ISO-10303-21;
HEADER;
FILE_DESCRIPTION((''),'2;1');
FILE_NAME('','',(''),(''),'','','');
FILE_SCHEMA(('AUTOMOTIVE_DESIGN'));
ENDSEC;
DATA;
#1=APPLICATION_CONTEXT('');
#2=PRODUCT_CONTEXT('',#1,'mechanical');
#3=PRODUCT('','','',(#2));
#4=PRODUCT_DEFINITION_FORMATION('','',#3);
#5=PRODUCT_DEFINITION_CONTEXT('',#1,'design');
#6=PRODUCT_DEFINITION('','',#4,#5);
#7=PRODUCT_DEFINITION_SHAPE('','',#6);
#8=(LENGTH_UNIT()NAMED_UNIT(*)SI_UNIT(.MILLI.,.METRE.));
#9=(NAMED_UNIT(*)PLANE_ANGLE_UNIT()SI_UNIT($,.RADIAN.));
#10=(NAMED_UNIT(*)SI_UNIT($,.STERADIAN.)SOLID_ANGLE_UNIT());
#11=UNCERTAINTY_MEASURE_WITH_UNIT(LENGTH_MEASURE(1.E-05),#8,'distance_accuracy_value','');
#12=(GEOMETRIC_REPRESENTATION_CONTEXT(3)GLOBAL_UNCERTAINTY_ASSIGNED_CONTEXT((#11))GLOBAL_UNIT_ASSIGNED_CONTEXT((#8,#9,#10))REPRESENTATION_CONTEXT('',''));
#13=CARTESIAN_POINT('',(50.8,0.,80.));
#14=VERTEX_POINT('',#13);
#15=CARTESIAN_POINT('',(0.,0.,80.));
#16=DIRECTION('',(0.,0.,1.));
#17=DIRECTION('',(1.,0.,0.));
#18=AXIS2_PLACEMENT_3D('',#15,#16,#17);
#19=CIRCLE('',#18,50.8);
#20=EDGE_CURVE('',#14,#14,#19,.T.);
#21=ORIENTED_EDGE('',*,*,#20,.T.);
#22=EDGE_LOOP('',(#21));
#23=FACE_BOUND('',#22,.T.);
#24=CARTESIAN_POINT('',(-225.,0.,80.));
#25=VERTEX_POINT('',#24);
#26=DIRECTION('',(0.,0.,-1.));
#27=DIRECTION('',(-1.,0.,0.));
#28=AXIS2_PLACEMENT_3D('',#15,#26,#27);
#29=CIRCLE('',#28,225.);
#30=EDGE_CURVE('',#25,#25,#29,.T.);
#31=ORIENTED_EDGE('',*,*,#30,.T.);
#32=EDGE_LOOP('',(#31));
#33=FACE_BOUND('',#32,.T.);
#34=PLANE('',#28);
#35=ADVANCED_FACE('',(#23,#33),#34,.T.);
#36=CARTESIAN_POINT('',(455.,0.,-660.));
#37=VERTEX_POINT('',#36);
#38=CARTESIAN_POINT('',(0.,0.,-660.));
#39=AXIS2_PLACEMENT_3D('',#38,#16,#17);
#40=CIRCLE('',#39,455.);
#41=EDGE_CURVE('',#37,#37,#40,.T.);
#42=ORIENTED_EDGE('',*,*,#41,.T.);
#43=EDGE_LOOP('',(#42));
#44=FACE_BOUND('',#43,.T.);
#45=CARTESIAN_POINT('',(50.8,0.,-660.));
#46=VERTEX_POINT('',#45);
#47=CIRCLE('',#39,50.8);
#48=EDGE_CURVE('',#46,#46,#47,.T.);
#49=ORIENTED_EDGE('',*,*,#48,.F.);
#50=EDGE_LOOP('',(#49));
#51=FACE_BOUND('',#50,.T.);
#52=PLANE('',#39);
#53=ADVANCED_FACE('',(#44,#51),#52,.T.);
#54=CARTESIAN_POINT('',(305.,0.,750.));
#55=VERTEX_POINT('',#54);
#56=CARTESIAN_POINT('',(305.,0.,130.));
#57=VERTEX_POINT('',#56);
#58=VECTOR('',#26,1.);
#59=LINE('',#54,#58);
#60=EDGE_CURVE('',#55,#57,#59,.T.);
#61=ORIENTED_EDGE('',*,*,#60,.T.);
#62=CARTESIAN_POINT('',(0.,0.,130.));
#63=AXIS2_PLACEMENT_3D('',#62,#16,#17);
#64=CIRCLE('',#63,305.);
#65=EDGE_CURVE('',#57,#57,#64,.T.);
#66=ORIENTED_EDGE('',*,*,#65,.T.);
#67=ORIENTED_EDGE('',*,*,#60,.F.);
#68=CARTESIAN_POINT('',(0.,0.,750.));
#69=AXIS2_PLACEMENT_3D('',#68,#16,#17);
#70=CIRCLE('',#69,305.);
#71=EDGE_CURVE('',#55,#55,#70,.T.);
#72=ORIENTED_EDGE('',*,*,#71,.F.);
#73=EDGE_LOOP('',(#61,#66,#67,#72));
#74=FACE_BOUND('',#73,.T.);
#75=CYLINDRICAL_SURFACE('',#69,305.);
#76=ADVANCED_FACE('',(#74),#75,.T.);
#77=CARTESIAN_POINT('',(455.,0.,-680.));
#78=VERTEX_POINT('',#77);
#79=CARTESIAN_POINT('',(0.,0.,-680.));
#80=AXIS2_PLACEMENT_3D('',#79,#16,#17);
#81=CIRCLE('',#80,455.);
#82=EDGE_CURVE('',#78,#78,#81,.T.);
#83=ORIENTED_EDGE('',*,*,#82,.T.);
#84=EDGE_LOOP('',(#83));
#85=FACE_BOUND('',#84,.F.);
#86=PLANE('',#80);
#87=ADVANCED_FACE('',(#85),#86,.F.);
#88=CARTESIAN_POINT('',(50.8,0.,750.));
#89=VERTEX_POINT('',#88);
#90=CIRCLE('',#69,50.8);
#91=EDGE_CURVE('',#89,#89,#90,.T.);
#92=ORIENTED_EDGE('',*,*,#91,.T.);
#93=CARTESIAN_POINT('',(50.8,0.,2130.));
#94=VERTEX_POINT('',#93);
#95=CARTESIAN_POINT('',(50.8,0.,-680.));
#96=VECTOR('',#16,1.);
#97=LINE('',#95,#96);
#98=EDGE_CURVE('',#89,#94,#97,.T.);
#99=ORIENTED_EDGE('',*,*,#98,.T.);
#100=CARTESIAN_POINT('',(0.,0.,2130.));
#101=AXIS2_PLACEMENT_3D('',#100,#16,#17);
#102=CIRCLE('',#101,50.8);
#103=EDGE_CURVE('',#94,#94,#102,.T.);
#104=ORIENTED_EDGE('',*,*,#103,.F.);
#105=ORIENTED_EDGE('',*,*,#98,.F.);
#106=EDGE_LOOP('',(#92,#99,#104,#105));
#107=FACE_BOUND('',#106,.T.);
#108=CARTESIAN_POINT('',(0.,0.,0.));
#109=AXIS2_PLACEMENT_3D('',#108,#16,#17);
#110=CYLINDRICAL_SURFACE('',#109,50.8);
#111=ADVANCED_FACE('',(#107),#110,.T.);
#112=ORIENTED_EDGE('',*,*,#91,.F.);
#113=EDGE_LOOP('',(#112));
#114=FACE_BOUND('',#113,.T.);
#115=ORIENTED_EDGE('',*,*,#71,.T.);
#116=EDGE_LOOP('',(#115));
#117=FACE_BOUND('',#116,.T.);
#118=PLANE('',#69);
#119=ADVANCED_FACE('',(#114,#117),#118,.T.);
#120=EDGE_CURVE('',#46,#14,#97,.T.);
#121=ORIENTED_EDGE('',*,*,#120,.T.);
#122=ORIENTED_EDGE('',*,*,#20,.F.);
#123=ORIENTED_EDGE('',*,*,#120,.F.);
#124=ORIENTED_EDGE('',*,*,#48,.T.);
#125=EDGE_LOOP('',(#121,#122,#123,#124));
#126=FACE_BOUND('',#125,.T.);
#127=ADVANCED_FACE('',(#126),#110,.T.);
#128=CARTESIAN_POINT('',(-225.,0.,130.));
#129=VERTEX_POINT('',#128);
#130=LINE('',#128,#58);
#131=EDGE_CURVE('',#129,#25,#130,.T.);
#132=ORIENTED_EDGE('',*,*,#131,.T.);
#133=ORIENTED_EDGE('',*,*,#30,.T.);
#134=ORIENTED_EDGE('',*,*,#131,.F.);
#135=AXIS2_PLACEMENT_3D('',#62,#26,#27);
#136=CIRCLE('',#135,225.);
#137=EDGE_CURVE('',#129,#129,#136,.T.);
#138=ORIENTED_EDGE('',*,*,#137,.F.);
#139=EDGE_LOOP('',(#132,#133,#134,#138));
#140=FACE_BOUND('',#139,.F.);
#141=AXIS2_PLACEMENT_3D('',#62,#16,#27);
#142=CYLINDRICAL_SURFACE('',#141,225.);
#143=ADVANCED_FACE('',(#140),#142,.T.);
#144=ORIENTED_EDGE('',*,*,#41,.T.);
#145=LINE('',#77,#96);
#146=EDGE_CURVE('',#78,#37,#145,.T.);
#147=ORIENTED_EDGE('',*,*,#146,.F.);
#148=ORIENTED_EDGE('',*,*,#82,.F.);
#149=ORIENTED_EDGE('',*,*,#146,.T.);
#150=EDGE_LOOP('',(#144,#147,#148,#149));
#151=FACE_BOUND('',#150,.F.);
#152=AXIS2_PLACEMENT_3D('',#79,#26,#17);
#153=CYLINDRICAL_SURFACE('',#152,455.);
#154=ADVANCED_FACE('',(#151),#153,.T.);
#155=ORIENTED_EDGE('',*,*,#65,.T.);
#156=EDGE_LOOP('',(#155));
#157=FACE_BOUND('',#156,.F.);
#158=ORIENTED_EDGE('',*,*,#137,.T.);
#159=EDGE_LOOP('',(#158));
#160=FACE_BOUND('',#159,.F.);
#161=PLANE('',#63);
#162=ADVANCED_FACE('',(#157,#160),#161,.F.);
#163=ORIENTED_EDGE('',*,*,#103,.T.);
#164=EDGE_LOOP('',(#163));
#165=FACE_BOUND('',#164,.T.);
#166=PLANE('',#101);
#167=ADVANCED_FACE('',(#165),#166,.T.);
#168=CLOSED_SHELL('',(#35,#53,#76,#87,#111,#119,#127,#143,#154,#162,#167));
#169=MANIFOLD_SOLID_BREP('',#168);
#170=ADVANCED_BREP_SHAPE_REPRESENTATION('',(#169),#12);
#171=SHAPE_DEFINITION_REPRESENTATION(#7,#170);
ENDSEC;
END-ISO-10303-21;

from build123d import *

# Parameters (mm, degrees)
SKETCH1_R                = 50.8
BOSS_EXTRUDE1_DEPTH      = 2130
BOSS_EXTRUDE1_DEPTH_BACK = 680
SKETCH2_R                = 455
BOSS_EXTRUDE2_DEPTH      = 20
BOSS_EXTRUDE3_START      = -1380
SKETCH7_R                = 305
BOSS_EXTRUDE3_DEPTH      = 620
SKETCH8_R                = 225
BOSS_EXTRUDE4_DEPTH      = 50


with BuildPart() as part:
    # Sketch1 → Boss-Extrude1 (new body, two sides)
    with BuildSketch(Plane.XY) as boss_extrude1_sk:
        Circle(SKETCH1_R)
    extrude(amount=BOSS_EXTRUDE1_DEPTH)
    extrude(boss_extrude1_sk.sketch, amount=-BOSS_EXTRUDE1_DEPTH_BACK)

    # Sketch2 → Boss-Extrude2 (add)
    with BuildSketch(Plane.XY.offset(-680)):
        Circle(SKETCH2_R)
    extrude(amount=BOSS_EXTRUDE2_DEPTH)

    # Sketch7 → Boss-Extrude3 (add)
    with BuildSketch(Plane.XY.offset(2130).offset(BOSS_EXTRUDE3_START)):
        Circle(SKETCH7_R)
    extrude(amount=-BOSS_EXTRUDE3_DEPTH)

    # Sketch8 → Boss-Extrude4 (add)
    with BuildSketch(Plane(origin=(0, 0, 130), x_dir=(-1, 0, 0), z_dir=(0, 0, -1))):
        Circle(SKETCH8_R)
    extrude(amount=BOSS_EXTRUDE4_DEPTH)


solid = part.part
